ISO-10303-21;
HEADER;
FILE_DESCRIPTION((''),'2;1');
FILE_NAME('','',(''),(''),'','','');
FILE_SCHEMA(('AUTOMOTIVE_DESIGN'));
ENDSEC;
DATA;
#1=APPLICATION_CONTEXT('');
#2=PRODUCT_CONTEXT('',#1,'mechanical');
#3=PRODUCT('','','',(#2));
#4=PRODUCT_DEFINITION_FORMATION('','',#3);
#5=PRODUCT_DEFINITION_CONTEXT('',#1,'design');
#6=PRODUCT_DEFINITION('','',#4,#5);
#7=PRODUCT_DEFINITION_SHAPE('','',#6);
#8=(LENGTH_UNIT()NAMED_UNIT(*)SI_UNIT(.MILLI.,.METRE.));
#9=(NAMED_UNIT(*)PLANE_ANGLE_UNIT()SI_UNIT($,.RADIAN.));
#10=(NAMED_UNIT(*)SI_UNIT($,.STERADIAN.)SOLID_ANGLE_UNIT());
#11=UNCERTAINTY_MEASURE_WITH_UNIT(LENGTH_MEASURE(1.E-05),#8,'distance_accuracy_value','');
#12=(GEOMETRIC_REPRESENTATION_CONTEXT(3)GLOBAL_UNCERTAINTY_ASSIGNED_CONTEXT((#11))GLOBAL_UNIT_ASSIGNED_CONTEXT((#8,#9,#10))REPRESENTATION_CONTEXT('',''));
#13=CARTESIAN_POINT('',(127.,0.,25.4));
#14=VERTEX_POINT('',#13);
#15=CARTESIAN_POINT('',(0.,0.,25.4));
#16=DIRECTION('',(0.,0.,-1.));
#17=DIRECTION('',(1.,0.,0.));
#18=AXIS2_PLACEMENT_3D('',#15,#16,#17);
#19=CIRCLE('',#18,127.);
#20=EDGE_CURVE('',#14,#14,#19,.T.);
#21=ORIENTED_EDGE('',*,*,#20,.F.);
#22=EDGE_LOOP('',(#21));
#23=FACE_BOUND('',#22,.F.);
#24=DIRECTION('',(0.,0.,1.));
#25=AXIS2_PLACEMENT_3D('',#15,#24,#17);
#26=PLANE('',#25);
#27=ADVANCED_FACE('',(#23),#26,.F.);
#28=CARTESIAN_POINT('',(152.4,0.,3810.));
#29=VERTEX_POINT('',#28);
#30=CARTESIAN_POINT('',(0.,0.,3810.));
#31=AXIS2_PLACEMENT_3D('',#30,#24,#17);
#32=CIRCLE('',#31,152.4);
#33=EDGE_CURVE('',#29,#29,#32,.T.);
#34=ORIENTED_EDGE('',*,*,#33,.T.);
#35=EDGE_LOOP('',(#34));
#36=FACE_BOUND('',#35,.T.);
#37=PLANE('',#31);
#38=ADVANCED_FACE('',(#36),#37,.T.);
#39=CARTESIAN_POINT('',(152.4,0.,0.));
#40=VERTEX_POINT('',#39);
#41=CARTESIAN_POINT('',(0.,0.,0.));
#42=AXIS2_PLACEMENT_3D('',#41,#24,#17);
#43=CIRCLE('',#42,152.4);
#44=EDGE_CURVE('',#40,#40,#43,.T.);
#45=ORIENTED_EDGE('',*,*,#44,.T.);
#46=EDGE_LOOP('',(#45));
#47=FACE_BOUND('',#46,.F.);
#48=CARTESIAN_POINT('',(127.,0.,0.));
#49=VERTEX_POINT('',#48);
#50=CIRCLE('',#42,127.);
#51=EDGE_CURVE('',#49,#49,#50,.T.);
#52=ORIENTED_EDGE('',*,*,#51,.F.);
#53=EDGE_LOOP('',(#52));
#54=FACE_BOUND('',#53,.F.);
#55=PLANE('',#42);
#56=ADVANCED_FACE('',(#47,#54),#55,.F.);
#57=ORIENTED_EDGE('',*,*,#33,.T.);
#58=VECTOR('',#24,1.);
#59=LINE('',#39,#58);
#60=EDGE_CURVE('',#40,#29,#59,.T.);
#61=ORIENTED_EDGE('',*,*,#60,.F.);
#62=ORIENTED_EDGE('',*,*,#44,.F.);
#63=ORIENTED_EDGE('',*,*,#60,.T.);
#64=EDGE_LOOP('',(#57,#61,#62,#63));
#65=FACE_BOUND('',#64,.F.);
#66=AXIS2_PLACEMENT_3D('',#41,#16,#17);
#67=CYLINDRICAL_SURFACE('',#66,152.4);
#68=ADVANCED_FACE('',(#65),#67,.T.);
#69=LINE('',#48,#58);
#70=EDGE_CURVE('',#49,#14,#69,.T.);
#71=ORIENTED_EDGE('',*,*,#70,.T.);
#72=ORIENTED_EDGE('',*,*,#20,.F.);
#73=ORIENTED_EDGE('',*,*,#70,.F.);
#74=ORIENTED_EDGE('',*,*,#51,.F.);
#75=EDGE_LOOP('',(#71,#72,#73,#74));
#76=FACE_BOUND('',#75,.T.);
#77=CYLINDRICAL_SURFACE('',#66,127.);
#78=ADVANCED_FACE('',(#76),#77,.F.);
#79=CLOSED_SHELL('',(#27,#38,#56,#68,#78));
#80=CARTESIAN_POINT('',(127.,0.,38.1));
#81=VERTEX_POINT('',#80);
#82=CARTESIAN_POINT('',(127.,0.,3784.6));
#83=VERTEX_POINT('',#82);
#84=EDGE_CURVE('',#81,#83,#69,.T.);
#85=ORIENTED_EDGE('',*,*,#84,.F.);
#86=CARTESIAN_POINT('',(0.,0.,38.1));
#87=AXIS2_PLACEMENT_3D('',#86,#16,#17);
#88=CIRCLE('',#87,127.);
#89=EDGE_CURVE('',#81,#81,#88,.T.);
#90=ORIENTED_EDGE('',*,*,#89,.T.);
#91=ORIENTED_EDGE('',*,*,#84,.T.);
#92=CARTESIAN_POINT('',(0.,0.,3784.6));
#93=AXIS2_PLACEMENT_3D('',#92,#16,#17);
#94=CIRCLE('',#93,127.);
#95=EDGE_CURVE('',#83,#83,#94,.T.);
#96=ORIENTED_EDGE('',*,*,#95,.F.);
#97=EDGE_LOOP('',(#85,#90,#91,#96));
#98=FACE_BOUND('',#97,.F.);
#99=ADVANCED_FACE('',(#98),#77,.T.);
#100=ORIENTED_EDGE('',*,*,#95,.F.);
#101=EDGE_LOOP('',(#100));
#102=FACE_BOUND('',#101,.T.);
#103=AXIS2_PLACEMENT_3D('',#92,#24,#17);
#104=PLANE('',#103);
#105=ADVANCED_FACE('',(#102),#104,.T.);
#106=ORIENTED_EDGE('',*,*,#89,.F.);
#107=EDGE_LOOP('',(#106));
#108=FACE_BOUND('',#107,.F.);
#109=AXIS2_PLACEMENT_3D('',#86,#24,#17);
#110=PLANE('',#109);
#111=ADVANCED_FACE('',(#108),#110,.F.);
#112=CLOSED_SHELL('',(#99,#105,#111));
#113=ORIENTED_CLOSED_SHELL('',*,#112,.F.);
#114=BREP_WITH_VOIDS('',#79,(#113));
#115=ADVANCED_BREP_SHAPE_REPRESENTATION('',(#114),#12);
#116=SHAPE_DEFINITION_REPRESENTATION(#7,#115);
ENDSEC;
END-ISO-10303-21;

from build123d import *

# Parameters (mm, degrees)
F0_R     = 152.4
F1_DEPTH = 3810
F2_T     = -25.4
F4_R     = 142.288685
F5_DEPTH = 12.7


with BuildPart() as f1:
    # F0 (on Top) → F1 (new body)
    with BuildSketch(Plane.XY):
        Circle(F0_R)
    extrude(amount=F1_DEPTH)

    # F2
    f2_openings = [f1.faces().sort_by_distance(p)[0] for p in [
        (0, 0, 0),
    ]]
    offset(amount=F2_T, openings=f2_openings)

    # F4 (on offset) → F5 (join)
    with BuildSketch(Plane.XY.offset(25.4)):
        Circle(F4_R)
    extrude(amount=F5_DEPTH)


solid = f1.part
